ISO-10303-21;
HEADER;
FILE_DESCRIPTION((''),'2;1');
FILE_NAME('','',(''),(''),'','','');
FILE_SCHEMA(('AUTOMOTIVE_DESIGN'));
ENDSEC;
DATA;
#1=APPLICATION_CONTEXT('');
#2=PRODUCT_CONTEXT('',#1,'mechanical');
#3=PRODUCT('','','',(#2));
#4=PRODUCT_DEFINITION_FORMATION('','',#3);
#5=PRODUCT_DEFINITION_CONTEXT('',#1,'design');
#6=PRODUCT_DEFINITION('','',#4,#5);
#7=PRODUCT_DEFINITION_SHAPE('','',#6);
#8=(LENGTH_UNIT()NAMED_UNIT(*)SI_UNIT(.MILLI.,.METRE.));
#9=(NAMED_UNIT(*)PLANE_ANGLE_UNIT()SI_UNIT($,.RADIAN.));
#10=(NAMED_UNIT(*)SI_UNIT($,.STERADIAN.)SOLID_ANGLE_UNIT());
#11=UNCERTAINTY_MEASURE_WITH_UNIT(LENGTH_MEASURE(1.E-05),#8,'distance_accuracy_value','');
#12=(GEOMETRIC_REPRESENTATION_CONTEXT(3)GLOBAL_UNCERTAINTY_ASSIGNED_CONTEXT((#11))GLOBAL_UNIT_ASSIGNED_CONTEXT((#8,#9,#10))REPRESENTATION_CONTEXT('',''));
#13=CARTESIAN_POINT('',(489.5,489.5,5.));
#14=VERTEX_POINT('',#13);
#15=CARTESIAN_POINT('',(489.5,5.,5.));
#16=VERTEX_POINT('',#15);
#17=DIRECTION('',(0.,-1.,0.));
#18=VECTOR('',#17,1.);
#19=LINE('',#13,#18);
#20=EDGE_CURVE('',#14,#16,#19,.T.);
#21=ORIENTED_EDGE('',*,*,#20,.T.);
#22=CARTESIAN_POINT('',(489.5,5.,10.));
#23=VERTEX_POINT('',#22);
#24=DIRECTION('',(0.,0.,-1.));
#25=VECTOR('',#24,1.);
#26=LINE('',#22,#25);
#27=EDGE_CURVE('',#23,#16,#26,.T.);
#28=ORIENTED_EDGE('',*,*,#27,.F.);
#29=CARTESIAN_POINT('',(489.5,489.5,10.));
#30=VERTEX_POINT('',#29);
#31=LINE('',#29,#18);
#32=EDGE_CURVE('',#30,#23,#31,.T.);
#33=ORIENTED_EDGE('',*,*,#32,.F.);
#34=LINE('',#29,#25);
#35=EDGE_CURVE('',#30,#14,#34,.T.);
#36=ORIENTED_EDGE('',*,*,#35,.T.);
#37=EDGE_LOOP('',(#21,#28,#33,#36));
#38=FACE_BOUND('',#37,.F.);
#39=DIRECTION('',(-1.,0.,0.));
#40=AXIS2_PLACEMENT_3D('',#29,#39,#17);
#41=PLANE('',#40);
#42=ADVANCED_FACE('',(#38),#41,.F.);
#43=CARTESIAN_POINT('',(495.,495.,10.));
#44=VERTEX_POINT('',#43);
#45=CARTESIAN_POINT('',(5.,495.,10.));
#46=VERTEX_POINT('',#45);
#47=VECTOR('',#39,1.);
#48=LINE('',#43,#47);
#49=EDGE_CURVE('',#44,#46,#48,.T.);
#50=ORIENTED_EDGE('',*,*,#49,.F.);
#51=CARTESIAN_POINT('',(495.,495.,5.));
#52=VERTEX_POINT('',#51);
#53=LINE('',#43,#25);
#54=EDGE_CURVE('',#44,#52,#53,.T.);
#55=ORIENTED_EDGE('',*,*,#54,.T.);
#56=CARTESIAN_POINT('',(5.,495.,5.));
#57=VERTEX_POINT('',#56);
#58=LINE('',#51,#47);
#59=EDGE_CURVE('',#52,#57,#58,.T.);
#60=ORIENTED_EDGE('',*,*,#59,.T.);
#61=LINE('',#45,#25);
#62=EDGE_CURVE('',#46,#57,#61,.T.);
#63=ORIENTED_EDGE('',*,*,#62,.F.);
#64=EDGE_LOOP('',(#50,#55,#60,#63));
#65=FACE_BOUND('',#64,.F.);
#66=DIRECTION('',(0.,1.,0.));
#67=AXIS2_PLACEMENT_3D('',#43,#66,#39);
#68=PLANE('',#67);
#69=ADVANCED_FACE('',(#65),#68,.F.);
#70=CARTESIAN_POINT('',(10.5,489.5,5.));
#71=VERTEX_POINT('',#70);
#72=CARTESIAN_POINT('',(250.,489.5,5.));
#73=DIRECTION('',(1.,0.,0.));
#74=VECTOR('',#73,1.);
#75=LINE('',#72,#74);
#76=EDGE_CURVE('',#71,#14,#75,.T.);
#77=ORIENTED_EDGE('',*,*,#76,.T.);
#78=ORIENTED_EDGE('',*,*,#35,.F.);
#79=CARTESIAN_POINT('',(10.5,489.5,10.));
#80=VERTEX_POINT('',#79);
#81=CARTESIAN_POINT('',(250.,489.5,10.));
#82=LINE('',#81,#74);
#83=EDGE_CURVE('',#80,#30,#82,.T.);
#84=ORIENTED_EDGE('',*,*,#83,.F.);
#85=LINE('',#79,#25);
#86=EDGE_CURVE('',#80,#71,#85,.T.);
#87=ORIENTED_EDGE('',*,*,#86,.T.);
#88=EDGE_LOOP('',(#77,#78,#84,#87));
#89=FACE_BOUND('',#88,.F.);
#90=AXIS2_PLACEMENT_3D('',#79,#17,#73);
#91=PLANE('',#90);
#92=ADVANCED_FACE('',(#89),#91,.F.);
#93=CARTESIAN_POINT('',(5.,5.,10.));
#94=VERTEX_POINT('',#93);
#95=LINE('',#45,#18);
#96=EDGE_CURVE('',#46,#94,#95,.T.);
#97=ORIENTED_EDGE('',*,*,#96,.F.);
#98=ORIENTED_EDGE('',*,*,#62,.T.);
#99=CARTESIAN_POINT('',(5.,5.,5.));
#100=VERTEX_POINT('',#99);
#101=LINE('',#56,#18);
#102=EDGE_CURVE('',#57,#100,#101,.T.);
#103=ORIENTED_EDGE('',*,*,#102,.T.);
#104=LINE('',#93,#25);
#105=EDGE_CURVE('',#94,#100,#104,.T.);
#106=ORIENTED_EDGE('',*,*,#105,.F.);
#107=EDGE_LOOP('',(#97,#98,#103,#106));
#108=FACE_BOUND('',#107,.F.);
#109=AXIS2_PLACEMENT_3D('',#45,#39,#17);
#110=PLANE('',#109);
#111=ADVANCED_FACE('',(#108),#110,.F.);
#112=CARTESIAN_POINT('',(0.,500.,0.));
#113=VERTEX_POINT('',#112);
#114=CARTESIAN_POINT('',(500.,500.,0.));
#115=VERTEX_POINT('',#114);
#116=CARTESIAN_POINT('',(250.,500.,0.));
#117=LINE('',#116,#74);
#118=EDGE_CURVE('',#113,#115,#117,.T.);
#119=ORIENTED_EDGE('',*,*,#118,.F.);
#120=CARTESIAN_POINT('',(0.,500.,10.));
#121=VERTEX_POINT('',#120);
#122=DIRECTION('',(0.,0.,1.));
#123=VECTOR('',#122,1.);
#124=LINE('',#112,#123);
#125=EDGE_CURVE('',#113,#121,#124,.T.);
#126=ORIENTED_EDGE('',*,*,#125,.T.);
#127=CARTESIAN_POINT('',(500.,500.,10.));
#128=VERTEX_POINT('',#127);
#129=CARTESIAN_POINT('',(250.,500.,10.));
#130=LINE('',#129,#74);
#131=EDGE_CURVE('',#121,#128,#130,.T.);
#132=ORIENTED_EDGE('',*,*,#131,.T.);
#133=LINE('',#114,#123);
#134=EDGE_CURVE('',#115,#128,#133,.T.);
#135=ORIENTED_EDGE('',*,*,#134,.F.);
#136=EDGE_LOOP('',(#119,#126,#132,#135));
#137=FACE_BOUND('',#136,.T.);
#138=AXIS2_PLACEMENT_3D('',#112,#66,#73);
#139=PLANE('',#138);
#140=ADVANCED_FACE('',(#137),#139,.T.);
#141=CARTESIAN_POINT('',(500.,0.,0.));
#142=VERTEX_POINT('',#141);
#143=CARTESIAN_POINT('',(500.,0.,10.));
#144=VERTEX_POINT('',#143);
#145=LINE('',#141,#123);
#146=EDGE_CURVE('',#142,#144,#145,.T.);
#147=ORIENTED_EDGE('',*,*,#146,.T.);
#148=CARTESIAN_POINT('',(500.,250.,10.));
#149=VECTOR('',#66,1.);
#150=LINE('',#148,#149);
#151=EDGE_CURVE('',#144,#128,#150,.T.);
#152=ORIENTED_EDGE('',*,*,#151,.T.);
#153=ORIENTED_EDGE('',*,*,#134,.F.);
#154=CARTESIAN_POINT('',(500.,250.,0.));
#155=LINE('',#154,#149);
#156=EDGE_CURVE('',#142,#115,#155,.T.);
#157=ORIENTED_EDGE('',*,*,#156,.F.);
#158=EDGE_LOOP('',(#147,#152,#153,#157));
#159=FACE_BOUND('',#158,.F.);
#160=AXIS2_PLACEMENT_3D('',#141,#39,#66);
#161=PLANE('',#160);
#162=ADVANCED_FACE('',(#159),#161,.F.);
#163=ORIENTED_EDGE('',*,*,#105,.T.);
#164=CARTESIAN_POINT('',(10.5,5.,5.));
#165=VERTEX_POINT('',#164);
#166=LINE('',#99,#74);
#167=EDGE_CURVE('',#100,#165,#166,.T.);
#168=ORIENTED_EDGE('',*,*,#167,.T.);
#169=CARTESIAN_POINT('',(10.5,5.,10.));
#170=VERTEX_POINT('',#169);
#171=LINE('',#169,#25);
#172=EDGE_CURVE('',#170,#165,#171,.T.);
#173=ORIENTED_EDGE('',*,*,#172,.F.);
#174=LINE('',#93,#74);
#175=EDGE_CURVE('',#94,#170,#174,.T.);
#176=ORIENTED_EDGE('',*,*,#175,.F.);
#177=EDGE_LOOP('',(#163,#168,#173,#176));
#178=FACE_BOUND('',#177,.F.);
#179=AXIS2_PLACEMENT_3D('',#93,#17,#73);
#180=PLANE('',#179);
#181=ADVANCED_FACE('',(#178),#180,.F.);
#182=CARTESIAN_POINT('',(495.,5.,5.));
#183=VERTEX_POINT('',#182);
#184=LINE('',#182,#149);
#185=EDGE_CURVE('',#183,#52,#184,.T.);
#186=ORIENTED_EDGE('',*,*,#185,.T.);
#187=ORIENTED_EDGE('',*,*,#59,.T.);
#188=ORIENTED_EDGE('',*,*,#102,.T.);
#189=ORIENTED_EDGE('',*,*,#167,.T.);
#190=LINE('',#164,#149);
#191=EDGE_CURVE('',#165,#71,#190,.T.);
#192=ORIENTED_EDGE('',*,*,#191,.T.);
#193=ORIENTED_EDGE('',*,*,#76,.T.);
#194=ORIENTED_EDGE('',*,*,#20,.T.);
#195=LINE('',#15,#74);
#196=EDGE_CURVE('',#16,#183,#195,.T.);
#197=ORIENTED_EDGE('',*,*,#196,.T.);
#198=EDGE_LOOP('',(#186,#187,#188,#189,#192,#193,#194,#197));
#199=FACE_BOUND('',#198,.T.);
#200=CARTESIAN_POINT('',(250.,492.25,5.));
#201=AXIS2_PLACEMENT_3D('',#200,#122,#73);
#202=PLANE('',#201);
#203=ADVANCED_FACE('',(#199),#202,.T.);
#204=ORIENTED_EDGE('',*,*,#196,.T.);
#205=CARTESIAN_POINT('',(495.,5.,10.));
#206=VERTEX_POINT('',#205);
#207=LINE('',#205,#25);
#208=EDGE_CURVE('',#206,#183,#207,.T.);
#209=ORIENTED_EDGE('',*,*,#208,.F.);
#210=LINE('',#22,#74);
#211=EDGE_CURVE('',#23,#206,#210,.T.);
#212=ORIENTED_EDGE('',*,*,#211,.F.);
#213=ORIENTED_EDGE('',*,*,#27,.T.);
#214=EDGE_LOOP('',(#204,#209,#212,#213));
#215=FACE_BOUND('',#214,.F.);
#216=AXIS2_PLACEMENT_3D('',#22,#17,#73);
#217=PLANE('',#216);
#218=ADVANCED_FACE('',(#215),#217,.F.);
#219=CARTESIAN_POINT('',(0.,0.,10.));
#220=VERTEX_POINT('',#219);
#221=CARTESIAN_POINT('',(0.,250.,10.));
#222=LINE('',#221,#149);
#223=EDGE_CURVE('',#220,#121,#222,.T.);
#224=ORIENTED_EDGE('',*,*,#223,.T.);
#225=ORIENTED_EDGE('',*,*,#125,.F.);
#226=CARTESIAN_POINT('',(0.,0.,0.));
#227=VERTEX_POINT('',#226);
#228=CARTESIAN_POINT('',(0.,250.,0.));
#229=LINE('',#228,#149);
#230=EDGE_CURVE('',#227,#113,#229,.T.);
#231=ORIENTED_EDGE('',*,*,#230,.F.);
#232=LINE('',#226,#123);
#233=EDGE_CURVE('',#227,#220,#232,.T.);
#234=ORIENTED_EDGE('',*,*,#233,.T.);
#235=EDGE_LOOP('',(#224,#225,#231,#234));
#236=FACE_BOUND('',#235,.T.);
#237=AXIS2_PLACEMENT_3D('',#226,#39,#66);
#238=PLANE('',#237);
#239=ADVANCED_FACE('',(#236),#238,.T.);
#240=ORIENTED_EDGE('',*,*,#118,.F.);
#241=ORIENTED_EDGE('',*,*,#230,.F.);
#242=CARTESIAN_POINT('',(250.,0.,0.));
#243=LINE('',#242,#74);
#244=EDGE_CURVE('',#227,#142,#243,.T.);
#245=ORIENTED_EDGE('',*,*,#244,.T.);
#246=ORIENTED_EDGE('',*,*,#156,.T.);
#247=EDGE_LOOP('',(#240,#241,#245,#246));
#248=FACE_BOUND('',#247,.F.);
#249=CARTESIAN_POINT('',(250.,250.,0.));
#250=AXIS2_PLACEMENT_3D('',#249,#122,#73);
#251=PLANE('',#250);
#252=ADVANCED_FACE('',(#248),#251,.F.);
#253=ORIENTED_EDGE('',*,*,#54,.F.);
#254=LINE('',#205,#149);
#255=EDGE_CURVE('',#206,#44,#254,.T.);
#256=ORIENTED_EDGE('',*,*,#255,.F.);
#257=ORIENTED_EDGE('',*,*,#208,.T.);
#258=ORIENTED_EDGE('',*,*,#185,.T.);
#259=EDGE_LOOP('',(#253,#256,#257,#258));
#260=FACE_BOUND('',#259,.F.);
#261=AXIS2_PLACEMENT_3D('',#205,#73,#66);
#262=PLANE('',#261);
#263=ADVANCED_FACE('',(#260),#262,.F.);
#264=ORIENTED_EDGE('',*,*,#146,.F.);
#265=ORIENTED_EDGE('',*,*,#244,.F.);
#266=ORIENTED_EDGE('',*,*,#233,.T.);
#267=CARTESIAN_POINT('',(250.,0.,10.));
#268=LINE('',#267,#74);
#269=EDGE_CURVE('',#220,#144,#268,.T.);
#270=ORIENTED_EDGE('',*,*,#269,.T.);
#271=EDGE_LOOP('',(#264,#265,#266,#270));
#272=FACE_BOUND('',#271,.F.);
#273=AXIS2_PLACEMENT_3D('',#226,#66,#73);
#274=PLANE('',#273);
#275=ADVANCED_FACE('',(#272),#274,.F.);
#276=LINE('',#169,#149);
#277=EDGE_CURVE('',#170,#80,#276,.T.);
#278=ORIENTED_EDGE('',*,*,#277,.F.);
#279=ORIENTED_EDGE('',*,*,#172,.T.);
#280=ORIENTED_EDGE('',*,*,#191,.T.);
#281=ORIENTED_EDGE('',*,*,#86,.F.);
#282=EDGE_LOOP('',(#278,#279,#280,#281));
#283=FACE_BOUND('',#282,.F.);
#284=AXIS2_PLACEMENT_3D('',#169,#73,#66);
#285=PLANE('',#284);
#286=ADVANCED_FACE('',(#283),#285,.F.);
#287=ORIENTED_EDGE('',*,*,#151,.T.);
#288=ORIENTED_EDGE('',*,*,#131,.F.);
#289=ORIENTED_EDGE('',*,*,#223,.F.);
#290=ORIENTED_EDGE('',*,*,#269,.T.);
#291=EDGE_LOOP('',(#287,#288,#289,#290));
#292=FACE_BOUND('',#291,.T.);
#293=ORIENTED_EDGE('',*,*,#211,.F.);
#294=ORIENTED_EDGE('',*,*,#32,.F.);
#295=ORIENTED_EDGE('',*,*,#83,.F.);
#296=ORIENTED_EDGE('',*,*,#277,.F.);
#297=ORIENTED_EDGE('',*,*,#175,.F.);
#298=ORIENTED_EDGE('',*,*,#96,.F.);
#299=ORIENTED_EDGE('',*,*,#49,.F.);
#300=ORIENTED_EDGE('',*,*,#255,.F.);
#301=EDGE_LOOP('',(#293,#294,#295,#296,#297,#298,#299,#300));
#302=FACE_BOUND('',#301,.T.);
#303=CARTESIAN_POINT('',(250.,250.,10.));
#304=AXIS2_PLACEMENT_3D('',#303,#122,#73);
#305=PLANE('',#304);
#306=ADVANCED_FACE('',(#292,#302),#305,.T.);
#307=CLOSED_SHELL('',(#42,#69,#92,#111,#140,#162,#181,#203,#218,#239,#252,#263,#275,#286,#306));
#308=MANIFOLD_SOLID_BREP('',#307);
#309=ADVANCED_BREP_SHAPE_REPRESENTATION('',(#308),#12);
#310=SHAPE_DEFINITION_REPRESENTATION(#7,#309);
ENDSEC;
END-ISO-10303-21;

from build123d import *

# Parameters (mm, degrees)
F0_W     = 500
F0_H     = 500
F1_DEPTH = 10
F2_W     = 479
F2_H     = 5.5
F3_DEPTH = 5


with BuildPart() as f1:
    # F0 (on Top) → F1 (new body)
    with BuildSketch(Plane.XY):
        with Locations((250, 250)):
            Rectangle(F0_W, F0_H)
    extrude(amount=F1_DEPTH)

    # F2 (on face) → F3 (cut)
    with BuildSketch(Plane.XY.offset(10)):
        with Locations((250, 492.25)):
            Rectangle(F2_W, F2_H)
        Polygon((5, 495), (5, 5), (10.5, 5), (10.5, 489.5), (10.5, 495), align=None)
        Polygon((489.5, 495), (489.5, 489.5), (489.5, 5), (495, 5), (495, 495), align=None)
    extrude(amount=-F3_DEPTH, mode=Mode.SUBTRACT)


solid = f1.part
